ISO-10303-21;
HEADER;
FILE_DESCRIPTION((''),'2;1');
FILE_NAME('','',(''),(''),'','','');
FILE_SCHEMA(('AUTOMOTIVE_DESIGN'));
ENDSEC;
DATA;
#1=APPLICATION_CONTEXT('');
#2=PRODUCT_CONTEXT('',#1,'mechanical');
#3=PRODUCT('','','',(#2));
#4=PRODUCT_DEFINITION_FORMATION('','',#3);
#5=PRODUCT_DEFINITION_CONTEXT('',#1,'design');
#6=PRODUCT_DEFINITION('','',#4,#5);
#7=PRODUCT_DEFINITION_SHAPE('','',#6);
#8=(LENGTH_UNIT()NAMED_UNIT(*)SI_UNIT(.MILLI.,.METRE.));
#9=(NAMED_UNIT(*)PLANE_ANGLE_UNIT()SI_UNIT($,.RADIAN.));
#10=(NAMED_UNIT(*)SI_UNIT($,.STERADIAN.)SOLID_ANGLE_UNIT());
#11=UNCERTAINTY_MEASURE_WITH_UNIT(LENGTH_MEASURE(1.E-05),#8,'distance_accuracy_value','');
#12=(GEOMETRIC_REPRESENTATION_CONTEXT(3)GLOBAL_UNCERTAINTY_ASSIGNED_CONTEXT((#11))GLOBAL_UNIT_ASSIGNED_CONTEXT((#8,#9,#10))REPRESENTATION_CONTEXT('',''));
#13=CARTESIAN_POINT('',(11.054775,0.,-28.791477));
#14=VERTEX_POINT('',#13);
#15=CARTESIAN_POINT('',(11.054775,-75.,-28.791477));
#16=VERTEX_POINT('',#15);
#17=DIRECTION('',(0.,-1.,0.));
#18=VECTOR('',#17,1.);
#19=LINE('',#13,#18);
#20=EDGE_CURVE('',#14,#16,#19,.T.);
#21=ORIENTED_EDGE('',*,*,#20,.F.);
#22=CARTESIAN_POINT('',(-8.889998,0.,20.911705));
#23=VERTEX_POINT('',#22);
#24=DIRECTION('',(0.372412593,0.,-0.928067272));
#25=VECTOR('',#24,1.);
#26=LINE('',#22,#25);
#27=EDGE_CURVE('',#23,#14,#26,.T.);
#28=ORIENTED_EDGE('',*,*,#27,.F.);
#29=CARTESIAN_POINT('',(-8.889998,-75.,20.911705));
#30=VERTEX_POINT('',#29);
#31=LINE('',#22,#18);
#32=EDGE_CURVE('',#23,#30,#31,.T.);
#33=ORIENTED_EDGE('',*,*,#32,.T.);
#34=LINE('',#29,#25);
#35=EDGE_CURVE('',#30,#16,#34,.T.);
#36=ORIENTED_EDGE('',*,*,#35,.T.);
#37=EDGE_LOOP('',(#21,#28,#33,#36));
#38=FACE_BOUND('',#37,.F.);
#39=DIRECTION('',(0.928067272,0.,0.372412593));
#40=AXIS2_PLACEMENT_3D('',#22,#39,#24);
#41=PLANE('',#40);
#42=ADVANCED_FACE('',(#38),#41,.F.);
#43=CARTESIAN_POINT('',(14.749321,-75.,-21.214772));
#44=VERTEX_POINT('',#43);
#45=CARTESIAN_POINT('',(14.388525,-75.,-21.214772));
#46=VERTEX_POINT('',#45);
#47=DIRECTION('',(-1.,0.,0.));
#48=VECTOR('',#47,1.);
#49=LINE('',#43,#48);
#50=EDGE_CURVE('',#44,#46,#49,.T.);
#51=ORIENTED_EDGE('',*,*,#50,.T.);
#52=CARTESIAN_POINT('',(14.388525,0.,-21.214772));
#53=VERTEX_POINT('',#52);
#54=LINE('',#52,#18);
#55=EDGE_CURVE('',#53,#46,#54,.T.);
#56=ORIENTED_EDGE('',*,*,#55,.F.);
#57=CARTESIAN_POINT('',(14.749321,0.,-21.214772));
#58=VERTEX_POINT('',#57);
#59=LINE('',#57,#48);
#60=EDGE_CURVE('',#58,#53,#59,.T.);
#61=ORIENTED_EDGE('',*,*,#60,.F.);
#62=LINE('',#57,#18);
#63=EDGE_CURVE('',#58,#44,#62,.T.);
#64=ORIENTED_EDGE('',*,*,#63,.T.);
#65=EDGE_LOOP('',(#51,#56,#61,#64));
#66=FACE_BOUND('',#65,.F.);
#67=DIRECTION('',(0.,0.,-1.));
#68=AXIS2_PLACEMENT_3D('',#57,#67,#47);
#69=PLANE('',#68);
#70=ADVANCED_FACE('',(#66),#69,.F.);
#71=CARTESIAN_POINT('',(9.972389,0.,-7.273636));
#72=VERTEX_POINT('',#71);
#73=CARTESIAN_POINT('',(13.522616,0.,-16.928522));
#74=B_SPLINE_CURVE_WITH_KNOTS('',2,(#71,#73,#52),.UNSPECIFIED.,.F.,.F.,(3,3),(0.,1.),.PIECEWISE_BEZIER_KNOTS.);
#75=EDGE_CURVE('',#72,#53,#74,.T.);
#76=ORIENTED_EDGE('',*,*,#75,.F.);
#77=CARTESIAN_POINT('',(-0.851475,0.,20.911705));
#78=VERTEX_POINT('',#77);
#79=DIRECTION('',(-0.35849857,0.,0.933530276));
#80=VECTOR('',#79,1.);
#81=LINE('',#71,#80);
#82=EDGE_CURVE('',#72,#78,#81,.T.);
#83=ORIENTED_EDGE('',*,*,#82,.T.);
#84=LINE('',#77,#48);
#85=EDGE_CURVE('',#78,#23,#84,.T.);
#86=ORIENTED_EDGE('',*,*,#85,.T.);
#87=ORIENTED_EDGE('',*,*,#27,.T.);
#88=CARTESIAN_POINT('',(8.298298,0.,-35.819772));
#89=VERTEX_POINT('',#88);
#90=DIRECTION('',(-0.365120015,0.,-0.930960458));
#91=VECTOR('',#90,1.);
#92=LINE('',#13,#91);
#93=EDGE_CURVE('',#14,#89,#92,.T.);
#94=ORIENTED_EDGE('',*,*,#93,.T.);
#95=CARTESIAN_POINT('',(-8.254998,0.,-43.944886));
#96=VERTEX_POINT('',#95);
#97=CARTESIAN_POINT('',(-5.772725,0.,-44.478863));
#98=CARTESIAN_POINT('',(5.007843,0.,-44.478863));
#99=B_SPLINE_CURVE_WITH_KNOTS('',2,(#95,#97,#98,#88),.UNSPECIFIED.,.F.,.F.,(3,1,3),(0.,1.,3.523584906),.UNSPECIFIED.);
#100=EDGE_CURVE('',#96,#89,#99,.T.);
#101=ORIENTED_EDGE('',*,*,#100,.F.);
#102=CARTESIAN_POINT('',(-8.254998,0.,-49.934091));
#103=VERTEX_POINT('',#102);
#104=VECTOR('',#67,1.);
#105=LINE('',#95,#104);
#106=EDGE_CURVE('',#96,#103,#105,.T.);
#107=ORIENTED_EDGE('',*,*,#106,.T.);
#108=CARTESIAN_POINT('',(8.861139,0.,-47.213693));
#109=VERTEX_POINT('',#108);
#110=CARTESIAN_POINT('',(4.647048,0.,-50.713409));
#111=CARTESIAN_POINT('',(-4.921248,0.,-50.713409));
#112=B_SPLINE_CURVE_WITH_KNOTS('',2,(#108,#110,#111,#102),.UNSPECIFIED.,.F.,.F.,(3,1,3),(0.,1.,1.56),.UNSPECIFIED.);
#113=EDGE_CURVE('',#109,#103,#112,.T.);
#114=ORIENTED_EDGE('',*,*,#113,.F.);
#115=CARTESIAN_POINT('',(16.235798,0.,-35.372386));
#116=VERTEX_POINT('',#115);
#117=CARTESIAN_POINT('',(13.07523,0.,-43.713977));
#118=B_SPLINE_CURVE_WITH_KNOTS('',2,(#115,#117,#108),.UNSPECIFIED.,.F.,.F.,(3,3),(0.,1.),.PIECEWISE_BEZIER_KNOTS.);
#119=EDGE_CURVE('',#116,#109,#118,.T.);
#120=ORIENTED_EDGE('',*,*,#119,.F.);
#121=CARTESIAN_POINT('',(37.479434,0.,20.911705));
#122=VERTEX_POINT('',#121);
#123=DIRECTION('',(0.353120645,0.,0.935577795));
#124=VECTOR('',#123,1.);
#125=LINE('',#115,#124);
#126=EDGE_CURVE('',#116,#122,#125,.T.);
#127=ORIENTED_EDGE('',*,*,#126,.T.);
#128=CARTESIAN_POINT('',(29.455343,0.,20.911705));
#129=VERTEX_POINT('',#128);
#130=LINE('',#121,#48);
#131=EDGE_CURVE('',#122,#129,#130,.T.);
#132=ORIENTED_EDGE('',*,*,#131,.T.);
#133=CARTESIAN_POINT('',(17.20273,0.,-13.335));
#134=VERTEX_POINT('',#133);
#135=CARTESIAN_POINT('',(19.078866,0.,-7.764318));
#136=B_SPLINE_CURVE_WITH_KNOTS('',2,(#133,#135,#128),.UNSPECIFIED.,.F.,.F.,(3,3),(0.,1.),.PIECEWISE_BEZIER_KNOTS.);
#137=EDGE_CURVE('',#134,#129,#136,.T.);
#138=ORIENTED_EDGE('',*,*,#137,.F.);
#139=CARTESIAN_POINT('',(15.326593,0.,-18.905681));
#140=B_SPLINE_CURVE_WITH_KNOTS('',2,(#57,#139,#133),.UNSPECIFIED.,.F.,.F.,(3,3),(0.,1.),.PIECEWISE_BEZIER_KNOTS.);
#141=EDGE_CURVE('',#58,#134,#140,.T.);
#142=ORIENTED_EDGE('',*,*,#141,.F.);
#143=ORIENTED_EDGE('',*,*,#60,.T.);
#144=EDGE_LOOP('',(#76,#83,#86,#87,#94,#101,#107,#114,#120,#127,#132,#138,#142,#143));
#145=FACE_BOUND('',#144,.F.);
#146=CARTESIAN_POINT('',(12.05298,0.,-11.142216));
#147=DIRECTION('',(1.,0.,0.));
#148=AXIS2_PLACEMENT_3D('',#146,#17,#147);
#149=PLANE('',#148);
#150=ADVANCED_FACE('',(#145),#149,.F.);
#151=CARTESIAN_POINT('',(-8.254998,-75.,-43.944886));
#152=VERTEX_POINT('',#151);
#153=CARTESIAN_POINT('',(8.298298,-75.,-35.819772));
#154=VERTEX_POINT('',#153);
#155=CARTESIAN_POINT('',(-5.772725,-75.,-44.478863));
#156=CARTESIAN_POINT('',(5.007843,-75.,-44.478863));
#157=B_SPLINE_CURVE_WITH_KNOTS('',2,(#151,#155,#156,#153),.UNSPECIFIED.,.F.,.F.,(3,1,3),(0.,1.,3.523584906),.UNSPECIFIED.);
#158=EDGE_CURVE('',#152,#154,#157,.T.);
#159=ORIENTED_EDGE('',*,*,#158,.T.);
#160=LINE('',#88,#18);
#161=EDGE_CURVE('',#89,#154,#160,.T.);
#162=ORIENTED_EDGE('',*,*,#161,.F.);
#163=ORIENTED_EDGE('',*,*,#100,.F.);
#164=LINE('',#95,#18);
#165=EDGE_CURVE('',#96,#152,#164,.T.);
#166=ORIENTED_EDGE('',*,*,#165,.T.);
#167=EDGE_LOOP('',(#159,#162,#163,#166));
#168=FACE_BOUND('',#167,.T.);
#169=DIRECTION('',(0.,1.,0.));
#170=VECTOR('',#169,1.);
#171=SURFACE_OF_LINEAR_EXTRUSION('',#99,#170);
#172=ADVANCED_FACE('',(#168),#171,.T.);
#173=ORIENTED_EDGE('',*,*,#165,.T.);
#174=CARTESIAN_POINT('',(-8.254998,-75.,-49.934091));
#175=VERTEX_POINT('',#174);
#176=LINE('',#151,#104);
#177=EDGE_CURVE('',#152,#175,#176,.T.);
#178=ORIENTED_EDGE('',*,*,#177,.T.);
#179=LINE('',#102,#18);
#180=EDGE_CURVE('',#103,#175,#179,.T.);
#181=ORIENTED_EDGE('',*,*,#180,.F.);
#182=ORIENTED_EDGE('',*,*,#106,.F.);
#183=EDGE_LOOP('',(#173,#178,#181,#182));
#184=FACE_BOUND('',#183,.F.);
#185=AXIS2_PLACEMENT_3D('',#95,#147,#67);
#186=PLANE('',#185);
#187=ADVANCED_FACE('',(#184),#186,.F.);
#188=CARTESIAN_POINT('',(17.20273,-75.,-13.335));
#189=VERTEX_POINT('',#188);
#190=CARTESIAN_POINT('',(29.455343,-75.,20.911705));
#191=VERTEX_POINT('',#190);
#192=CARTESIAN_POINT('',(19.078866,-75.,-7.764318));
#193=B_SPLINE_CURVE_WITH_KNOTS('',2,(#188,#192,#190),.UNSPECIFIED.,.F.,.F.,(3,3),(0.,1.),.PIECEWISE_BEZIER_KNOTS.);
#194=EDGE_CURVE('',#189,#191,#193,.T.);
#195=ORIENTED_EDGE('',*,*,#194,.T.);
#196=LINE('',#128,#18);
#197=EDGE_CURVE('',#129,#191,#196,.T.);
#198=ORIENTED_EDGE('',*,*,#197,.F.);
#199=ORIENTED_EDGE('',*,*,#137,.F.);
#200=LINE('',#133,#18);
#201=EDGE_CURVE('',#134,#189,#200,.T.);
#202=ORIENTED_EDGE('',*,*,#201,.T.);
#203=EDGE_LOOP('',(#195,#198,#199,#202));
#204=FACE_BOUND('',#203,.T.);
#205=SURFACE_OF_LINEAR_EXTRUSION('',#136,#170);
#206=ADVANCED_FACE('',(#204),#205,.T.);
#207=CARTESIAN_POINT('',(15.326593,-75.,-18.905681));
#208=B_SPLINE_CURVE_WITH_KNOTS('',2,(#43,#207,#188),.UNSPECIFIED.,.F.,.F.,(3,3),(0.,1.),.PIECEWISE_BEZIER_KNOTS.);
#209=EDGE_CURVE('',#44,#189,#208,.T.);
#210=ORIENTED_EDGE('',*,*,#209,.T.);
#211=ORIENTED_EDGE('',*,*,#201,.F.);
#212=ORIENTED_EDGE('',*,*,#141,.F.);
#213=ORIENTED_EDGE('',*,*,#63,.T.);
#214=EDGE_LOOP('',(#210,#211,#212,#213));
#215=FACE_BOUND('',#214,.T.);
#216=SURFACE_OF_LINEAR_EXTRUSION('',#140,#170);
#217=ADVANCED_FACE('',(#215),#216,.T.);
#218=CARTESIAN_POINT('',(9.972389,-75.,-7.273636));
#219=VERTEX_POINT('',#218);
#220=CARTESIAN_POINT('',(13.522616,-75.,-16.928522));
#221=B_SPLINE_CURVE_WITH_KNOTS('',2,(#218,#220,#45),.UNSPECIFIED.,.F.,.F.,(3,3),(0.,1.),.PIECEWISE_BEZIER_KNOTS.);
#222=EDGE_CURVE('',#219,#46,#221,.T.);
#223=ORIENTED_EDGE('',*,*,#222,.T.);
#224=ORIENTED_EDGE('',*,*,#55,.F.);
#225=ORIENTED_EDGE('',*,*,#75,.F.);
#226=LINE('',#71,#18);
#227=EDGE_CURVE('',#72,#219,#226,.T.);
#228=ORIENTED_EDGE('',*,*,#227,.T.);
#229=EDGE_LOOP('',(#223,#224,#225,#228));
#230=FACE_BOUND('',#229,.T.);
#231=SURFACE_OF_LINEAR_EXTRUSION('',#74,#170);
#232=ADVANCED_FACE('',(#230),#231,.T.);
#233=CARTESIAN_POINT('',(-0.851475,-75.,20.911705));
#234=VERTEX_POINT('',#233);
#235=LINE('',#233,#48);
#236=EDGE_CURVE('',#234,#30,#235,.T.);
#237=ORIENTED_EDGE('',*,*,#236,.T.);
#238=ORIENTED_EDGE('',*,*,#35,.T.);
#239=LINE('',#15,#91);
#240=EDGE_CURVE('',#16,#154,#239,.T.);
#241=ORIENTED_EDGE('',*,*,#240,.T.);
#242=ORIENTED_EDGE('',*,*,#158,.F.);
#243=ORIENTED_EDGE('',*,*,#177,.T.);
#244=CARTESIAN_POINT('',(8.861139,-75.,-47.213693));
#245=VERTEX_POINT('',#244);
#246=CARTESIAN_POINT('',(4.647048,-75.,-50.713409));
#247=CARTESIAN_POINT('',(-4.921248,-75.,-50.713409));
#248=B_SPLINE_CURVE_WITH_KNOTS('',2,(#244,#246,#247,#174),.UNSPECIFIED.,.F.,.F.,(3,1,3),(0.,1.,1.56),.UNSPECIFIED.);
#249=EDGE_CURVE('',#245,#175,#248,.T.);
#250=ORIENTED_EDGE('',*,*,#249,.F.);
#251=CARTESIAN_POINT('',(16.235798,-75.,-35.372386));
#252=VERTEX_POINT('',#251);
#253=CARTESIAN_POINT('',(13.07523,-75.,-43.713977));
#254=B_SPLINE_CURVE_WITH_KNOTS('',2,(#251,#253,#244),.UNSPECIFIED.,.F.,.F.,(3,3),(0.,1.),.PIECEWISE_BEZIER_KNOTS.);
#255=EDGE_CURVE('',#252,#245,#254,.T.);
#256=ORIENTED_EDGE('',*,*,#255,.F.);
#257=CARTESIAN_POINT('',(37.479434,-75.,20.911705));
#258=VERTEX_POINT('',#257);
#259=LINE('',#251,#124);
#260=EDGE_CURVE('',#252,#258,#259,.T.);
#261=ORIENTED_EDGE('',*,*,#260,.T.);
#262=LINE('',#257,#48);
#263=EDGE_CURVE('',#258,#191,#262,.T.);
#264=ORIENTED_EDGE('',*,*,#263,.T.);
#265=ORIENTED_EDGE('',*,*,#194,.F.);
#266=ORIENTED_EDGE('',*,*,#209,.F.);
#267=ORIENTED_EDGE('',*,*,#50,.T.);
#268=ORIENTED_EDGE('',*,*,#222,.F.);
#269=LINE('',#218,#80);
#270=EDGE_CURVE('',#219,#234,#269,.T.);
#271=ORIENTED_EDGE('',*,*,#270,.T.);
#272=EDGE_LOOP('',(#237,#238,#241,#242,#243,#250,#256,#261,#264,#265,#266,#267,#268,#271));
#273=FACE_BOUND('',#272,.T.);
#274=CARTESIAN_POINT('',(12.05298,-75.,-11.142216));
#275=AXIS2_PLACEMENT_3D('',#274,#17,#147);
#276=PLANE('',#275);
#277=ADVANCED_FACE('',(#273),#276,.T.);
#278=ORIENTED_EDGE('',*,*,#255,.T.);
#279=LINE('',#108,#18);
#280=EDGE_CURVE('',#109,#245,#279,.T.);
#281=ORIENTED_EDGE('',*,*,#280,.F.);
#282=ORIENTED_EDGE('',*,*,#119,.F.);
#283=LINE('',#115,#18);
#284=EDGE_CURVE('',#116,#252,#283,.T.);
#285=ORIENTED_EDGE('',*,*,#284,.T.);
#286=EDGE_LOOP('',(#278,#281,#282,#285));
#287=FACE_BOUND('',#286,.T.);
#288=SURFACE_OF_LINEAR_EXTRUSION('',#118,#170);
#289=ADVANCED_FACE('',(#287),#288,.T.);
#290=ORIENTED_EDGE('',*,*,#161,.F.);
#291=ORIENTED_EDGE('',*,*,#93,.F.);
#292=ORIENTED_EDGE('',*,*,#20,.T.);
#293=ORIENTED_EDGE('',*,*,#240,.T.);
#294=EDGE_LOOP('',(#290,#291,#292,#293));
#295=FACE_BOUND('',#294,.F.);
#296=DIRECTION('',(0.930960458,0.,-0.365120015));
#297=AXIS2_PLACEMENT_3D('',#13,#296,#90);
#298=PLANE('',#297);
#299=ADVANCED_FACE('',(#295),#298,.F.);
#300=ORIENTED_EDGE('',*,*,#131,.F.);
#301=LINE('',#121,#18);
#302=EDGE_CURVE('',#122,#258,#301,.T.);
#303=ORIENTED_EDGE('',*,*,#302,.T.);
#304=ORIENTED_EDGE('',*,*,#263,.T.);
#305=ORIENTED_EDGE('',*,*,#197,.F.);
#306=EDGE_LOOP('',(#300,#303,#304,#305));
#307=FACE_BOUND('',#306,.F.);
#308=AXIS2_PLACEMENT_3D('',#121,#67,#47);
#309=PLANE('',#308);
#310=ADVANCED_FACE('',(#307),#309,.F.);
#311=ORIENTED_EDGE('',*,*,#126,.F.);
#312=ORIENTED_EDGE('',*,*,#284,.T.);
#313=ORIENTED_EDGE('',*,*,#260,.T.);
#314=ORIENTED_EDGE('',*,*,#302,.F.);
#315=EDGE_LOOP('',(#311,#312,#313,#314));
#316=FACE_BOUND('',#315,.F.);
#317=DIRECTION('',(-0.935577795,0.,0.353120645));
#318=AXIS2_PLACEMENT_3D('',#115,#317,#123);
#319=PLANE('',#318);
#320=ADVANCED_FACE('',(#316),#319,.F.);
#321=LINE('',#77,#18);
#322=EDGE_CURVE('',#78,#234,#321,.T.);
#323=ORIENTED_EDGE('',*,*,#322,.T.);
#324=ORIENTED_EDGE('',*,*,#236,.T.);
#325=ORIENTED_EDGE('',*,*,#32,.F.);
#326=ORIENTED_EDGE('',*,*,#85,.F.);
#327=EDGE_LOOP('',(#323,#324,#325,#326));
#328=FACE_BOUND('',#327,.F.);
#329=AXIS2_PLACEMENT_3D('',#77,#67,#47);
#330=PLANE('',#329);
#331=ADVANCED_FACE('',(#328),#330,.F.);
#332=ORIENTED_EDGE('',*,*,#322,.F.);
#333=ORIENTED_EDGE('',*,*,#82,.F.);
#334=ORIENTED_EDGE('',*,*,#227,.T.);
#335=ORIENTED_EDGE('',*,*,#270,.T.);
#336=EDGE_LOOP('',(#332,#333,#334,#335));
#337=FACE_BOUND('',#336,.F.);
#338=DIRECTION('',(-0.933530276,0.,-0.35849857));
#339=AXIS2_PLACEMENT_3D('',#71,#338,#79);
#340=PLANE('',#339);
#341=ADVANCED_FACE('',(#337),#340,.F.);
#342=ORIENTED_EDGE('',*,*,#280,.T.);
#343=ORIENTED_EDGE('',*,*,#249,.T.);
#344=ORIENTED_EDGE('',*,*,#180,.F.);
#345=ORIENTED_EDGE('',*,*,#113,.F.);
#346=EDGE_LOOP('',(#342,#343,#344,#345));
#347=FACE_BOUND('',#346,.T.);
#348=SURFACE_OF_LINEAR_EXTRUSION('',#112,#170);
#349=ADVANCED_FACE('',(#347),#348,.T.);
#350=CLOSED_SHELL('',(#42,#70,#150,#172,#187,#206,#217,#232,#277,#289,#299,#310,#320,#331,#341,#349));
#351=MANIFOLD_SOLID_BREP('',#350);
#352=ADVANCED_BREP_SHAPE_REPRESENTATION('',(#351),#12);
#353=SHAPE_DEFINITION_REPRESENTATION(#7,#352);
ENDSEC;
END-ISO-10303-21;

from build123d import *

# Parameters (mm, degrees)
F1_DEPTH = 75


with BuildPart() as f1:
    # F0 (on Front) → F1 (new body)
    with BuildSketch(Plane.XZ):
        with BuildLine():
            Line((-0.8514749497, 20.9117052582), (-8.8899977272, 20.9117052582))
            Line((-8.8899977272, 20.9117052582), (11.0547751246, -28.7914768705))
            Line((11.0547751246, -28.7914768705), (8.2982978347, -35.819772369))
            add(Edge.make_bspline(
                [(-2.7131795068, -44.4788633322), (5.0078432687, -44.4788633322), (8.2982978347, -35.819772369)],
                knots=[0, 0, 0, 1, 1, 1], degree=2))
            add(Edge.make_bspline(
                [(-8.2549977233, -43.9448860561), (-5.7727249805, -44.4788633322), (-2.7131795068, -44.4788633322)],
                knots=[0, 0, 0, 1, 1, 1], degree=2))
            Line((-8.2549977233, -43.9448860561), (-8.2549977233, -49.934090639))
            add(Edge.make_bspline(
                [(-1.4864749537, -50.7134088257), (-4.9212477024, -50.7134088257), (-8.2549977233, -49.934090639)],
                knots=[0, 0, 0, 1, 1, 1], degree=2))
            add(Edge.make_bspline(
                [(8.8611387473, -47.2136928947), (4.6470478119, -50.7134088257), (-1.4864749537, -50.7134088257)],
                knots=[0, 0, 0, 1, 1, 1], degree=2))
            add(Edge.make_bspline(
                [(16.2357978843, -35.3723860026), (13.0752296827, -43.7139769638), (8.8611387473, -47.2136928947)],
                knots=[0, 0, 0, 1, 1, 1], degree=2))
            Line((16.2357978843, -35.3723860026), (37.4794343807, 20.9117052582))
            Line((37.4794343807, 20.9117052582), (29.4553434214, 20.9117052582))
            add(Edge.make_bspline(
                [(17.2027297085, -13.3349995012), (19.0788660839, -7.7643176483), (29.4553434214, 20.9117052582)],
                knots=[0, 0, 0, 1, 1, 1], degree=2))
            add(Edge.make_bspline(
                [(14.7493206023, -21.2147722777), (15.3265933332, -18.9056813542), (17.2027297085, -13.3349995012)],
                knots=[0, 0, 0, 1, 1, 1], degree=2))
            Line((14.7493206023, -21.2147722777), (14.3885251455, -21.2147722777))
            add(Edge.make_bspline(
                [(9.9723887542, -7.273635827), (13.5226160492, -16.928522251), (14.3885251455, -21.2147722777)],
                knots=[0, 0, 0, 1, 1, 1], degree=2))
            Line((9.9723887542, -7.273635827), (-0.8514749497, 20.9117052582))
        make_face()
    extrude(amount=F1_DEPTH)


solid = f1.part
